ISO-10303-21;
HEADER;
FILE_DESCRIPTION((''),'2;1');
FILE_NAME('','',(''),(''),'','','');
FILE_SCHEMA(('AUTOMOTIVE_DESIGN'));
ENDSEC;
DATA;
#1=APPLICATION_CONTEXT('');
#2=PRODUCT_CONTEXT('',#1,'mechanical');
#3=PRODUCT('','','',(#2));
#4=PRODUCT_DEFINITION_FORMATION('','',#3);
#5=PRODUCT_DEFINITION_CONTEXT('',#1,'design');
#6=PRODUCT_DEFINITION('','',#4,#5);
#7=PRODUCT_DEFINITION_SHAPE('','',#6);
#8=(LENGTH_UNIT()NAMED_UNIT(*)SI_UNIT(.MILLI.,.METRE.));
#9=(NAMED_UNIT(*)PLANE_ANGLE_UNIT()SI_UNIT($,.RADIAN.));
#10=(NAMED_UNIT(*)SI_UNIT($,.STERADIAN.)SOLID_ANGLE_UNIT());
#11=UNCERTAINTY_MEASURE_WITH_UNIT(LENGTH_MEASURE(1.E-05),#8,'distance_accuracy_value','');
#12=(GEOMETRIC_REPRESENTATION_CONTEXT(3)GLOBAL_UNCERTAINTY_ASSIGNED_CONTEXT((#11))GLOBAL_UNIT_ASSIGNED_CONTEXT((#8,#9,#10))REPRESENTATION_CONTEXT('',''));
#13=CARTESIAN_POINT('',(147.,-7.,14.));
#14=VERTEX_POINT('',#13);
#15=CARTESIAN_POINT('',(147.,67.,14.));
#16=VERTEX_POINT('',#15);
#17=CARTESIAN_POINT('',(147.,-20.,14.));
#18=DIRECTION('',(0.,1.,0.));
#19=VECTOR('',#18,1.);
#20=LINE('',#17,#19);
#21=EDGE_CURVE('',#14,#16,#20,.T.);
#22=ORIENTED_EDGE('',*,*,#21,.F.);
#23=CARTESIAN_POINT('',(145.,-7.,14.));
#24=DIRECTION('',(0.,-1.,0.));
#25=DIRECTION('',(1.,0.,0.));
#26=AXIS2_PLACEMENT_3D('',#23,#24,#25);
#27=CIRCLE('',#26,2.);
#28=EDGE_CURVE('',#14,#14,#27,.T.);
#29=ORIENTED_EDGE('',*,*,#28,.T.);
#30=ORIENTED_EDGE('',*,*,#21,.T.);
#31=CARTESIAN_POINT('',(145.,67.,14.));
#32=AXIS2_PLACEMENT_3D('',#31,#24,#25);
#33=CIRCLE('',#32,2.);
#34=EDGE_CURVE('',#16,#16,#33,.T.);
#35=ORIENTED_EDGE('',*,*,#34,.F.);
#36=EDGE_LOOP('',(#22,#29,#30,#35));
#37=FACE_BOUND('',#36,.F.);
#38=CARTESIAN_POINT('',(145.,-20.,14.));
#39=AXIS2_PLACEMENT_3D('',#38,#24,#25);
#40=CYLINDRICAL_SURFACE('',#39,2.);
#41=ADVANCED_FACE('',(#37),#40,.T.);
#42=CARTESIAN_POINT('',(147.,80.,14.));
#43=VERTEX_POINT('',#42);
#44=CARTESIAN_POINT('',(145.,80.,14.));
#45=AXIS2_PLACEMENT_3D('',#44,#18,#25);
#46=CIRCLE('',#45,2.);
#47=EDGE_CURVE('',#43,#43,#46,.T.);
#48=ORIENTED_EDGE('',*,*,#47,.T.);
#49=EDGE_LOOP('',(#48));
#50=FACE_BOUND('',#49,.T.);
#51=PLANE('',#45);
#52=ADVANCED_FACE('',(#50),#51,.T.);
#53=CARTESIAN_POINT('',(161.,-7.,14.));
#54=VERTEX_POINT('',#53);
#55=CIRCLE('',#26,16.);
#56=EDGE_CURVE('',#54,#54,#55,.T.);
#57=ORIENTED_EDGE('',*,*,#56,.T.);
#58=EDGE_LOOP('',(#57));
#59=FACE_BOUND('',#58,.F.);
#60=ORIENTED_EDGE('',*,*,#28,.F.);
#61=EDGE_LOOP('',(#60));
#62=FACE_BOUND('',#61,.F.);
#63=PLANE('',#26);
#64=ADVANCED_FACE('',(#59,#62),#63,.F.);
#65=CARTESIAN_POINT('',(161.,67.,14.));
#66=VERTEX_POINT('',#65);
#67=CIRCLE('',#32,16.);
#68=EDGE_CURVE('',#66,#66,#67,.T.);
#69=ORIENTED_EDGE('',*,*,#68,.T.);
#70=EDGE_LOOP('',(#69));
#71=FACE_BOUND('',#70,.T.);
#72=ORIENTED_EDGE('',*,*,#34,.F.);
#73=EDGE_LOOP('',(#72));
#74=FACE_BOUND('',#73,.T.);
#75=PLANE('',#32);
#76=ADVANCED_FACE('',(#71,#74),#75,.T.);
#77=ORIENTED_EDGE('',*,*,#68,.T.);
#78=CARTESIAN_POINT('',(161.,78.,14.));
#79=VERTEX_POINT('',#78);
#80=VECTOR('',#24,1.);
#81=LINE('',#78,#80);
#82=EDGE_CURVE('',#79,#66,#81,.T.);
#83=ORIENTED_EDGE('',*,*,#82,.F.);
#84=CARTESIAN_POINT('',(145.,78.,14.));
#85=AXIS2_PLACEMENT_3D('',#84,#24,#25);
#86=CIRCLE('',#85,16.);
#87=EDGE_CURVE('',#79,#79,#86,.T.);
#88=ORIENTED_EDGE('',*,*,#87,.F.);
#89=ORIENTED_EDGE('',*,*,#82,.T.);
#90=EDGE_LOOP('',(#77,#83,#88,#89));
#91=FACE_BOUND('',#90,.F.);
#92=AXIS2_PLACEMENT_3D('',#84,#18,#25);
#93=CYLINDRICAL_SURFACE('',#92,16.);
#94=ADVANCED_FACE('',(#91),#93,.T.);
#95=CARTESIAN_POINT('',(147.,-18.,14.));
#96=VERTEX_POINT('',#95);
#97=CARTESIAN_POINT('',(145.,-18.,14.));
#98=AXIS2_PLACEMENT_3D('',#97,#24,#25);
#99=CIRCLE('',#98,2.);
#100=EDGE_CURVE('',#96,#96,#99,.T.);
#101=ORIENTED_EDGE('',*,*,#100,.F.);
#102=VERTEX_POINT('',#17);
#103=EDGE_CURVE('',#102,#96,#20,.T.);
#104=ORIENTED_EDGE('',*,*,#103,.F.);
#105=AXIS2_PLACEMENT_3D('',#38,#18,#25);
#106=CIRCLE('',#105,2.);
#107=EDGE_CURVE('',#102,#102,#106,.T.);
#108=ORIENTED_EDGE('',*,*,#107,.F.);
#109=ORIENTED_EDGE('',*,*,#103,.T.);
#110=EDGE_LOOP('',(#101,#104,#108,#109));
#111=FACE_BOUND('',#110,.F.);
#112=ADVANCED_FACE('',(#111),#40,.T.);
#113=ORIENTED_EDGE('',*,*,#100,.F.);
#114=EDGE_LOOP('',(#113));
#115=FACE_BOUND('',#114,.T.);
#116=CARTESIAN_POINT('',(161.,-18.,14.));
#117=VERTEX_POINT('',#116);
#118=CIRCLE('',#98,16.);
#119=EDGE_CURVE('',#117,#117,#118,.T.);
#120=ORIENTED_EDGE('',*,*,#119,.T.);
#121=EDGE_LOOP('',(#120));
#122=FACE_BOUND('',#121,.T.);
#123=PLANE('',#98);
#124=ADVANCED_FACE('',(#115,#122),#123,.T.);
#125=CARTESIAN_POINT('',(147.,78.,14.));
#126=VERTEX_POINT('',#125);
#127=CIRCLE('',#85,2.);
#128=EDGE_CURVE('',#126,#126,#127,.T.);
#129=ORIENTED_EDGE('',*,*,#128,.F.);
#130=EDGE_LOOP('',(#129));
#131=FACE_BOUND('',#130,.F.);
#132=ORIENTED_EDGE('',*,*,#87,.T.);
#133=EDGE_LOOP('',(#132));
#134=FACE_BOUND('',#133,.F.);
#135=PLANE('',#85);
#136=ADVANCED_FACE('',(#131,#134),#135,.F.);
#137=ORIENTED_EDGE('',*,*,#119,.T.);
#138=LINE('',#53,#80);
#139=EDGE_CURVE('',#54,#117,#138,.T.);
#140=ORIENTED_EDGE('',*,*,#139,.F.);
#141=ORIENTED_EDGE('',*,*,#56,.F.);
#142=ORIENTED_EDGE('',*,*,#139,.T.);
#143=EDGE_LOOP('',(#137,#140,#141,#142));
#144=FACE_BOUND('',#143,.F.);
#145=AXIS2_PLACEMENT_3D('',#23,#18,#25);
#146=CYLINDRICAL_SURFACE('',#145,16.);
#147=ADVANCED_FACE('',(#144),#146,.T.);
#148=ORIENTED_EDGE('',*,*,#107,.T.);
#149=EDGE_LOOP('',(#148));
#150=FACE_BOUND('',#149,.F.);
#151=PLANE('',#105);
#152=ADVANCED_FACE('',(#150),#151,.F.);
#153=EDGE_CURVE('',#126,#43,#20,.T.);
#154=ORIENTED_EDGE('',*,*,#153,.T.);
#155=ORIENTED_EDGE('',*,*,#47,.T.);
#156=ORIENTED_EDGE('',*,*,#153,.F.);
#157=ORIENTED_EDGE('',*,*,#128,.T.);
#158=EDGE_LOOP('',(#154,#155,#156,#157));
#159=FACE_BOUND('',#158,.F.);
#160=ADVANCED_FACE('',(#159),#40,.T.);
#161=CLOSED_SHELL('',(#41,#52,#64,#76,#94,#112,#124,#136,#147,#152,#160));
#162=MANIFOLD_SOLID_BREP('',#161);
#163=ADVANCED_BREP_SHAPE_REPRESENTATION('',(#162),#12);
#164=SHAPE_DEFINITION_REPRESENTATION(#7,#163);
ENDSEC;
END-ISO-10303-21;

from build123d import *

# Parameters (mm, degrees)
CYLINDER002_R             = 16
CYLINDER002_DEPTH         = 11
CYLINDER002_ROLL_ANGLE    = 90
CYLINDER002001_R          = 16
CYLINDER002001_DEPTH      = 11
CYLINDER002001_ROLL_ANGLE = 90
CYLINDER_R                = 2
CYLINDER_DEPTH            = 100
CYLINDER_ROLL_ANGLE       = -90


with BuildPart() as wheel1:
    # Cylinder002 → Cylinder002 (new body)
    with BuildSketch(Plane.XY):
        Circle(CYLINDER002_R)
    extrude(amount=CYLINDER002_DEPTH)


with BuildPart() as wheel1_1:
    # Cylinder002 roll: moved
    add(wheel1.part.rotate(Axis((0, 0, 0), (1, 0, 0)), CYLINDER002_ROLL_ANGLE))


with BuildPart() as wheel1_2:
    # Cylinder002 placement: moved
    add(wheel1_1.part.moved(Location((20, -7, 14))))


with BuildPart() as wheel2:
    # Cylinder002001 → Cylinder002001 (new body)
    with BuildSketch(Plane.XY):
        Circle(CYLINDER002001_R)
    extrude(amount=CYLINDER002001_DEPTH)


with BuildPart() as wheel2_1:
    # Cylinder002001 roll: moved
    add(wheel2.part.rotate(Axis((0, 0, 0), (1, 0, 0)), CYLINDER002001_ROLL_ANGLE))


with BuildPart() as wheel2_2:
    # Cylinder002001 placement: moved
    add(wheel2_1.part.moved(Location((20, 78, 14))))


with BuildPart() as wheelset2:
    # Cylinder → Cylinder (new body)
    with BuildSketch(Plane.XY):
        Circle(CYLINDER_R)
    extrude(amount=CYLINDER_DEPTH)


with BuildPart() as wheelset2_1:
    # Cylinder roll: moved
    add(wheelset2.part.rotate(Axis((0, 0, 0), (1, 0, 0)), CYLINDER_ROLL_ANGLE))


with BuildPart() as wheelset2_2:
    # Cylinder placement: moved
    add(wheelset2_1.part.moved(Location((20, -20, 14))))

    # Fusion001: union Wheel1, Wheel2
    add(wheel1_2.part)
    add(wheel2_2.part)


with BuildPart() as wheelset2_3:
    # Fusion001 placement: moved
    add(wheelset2_2.part.moved(Location((125, 0, 0))))


solid = wheelset2_3.part
